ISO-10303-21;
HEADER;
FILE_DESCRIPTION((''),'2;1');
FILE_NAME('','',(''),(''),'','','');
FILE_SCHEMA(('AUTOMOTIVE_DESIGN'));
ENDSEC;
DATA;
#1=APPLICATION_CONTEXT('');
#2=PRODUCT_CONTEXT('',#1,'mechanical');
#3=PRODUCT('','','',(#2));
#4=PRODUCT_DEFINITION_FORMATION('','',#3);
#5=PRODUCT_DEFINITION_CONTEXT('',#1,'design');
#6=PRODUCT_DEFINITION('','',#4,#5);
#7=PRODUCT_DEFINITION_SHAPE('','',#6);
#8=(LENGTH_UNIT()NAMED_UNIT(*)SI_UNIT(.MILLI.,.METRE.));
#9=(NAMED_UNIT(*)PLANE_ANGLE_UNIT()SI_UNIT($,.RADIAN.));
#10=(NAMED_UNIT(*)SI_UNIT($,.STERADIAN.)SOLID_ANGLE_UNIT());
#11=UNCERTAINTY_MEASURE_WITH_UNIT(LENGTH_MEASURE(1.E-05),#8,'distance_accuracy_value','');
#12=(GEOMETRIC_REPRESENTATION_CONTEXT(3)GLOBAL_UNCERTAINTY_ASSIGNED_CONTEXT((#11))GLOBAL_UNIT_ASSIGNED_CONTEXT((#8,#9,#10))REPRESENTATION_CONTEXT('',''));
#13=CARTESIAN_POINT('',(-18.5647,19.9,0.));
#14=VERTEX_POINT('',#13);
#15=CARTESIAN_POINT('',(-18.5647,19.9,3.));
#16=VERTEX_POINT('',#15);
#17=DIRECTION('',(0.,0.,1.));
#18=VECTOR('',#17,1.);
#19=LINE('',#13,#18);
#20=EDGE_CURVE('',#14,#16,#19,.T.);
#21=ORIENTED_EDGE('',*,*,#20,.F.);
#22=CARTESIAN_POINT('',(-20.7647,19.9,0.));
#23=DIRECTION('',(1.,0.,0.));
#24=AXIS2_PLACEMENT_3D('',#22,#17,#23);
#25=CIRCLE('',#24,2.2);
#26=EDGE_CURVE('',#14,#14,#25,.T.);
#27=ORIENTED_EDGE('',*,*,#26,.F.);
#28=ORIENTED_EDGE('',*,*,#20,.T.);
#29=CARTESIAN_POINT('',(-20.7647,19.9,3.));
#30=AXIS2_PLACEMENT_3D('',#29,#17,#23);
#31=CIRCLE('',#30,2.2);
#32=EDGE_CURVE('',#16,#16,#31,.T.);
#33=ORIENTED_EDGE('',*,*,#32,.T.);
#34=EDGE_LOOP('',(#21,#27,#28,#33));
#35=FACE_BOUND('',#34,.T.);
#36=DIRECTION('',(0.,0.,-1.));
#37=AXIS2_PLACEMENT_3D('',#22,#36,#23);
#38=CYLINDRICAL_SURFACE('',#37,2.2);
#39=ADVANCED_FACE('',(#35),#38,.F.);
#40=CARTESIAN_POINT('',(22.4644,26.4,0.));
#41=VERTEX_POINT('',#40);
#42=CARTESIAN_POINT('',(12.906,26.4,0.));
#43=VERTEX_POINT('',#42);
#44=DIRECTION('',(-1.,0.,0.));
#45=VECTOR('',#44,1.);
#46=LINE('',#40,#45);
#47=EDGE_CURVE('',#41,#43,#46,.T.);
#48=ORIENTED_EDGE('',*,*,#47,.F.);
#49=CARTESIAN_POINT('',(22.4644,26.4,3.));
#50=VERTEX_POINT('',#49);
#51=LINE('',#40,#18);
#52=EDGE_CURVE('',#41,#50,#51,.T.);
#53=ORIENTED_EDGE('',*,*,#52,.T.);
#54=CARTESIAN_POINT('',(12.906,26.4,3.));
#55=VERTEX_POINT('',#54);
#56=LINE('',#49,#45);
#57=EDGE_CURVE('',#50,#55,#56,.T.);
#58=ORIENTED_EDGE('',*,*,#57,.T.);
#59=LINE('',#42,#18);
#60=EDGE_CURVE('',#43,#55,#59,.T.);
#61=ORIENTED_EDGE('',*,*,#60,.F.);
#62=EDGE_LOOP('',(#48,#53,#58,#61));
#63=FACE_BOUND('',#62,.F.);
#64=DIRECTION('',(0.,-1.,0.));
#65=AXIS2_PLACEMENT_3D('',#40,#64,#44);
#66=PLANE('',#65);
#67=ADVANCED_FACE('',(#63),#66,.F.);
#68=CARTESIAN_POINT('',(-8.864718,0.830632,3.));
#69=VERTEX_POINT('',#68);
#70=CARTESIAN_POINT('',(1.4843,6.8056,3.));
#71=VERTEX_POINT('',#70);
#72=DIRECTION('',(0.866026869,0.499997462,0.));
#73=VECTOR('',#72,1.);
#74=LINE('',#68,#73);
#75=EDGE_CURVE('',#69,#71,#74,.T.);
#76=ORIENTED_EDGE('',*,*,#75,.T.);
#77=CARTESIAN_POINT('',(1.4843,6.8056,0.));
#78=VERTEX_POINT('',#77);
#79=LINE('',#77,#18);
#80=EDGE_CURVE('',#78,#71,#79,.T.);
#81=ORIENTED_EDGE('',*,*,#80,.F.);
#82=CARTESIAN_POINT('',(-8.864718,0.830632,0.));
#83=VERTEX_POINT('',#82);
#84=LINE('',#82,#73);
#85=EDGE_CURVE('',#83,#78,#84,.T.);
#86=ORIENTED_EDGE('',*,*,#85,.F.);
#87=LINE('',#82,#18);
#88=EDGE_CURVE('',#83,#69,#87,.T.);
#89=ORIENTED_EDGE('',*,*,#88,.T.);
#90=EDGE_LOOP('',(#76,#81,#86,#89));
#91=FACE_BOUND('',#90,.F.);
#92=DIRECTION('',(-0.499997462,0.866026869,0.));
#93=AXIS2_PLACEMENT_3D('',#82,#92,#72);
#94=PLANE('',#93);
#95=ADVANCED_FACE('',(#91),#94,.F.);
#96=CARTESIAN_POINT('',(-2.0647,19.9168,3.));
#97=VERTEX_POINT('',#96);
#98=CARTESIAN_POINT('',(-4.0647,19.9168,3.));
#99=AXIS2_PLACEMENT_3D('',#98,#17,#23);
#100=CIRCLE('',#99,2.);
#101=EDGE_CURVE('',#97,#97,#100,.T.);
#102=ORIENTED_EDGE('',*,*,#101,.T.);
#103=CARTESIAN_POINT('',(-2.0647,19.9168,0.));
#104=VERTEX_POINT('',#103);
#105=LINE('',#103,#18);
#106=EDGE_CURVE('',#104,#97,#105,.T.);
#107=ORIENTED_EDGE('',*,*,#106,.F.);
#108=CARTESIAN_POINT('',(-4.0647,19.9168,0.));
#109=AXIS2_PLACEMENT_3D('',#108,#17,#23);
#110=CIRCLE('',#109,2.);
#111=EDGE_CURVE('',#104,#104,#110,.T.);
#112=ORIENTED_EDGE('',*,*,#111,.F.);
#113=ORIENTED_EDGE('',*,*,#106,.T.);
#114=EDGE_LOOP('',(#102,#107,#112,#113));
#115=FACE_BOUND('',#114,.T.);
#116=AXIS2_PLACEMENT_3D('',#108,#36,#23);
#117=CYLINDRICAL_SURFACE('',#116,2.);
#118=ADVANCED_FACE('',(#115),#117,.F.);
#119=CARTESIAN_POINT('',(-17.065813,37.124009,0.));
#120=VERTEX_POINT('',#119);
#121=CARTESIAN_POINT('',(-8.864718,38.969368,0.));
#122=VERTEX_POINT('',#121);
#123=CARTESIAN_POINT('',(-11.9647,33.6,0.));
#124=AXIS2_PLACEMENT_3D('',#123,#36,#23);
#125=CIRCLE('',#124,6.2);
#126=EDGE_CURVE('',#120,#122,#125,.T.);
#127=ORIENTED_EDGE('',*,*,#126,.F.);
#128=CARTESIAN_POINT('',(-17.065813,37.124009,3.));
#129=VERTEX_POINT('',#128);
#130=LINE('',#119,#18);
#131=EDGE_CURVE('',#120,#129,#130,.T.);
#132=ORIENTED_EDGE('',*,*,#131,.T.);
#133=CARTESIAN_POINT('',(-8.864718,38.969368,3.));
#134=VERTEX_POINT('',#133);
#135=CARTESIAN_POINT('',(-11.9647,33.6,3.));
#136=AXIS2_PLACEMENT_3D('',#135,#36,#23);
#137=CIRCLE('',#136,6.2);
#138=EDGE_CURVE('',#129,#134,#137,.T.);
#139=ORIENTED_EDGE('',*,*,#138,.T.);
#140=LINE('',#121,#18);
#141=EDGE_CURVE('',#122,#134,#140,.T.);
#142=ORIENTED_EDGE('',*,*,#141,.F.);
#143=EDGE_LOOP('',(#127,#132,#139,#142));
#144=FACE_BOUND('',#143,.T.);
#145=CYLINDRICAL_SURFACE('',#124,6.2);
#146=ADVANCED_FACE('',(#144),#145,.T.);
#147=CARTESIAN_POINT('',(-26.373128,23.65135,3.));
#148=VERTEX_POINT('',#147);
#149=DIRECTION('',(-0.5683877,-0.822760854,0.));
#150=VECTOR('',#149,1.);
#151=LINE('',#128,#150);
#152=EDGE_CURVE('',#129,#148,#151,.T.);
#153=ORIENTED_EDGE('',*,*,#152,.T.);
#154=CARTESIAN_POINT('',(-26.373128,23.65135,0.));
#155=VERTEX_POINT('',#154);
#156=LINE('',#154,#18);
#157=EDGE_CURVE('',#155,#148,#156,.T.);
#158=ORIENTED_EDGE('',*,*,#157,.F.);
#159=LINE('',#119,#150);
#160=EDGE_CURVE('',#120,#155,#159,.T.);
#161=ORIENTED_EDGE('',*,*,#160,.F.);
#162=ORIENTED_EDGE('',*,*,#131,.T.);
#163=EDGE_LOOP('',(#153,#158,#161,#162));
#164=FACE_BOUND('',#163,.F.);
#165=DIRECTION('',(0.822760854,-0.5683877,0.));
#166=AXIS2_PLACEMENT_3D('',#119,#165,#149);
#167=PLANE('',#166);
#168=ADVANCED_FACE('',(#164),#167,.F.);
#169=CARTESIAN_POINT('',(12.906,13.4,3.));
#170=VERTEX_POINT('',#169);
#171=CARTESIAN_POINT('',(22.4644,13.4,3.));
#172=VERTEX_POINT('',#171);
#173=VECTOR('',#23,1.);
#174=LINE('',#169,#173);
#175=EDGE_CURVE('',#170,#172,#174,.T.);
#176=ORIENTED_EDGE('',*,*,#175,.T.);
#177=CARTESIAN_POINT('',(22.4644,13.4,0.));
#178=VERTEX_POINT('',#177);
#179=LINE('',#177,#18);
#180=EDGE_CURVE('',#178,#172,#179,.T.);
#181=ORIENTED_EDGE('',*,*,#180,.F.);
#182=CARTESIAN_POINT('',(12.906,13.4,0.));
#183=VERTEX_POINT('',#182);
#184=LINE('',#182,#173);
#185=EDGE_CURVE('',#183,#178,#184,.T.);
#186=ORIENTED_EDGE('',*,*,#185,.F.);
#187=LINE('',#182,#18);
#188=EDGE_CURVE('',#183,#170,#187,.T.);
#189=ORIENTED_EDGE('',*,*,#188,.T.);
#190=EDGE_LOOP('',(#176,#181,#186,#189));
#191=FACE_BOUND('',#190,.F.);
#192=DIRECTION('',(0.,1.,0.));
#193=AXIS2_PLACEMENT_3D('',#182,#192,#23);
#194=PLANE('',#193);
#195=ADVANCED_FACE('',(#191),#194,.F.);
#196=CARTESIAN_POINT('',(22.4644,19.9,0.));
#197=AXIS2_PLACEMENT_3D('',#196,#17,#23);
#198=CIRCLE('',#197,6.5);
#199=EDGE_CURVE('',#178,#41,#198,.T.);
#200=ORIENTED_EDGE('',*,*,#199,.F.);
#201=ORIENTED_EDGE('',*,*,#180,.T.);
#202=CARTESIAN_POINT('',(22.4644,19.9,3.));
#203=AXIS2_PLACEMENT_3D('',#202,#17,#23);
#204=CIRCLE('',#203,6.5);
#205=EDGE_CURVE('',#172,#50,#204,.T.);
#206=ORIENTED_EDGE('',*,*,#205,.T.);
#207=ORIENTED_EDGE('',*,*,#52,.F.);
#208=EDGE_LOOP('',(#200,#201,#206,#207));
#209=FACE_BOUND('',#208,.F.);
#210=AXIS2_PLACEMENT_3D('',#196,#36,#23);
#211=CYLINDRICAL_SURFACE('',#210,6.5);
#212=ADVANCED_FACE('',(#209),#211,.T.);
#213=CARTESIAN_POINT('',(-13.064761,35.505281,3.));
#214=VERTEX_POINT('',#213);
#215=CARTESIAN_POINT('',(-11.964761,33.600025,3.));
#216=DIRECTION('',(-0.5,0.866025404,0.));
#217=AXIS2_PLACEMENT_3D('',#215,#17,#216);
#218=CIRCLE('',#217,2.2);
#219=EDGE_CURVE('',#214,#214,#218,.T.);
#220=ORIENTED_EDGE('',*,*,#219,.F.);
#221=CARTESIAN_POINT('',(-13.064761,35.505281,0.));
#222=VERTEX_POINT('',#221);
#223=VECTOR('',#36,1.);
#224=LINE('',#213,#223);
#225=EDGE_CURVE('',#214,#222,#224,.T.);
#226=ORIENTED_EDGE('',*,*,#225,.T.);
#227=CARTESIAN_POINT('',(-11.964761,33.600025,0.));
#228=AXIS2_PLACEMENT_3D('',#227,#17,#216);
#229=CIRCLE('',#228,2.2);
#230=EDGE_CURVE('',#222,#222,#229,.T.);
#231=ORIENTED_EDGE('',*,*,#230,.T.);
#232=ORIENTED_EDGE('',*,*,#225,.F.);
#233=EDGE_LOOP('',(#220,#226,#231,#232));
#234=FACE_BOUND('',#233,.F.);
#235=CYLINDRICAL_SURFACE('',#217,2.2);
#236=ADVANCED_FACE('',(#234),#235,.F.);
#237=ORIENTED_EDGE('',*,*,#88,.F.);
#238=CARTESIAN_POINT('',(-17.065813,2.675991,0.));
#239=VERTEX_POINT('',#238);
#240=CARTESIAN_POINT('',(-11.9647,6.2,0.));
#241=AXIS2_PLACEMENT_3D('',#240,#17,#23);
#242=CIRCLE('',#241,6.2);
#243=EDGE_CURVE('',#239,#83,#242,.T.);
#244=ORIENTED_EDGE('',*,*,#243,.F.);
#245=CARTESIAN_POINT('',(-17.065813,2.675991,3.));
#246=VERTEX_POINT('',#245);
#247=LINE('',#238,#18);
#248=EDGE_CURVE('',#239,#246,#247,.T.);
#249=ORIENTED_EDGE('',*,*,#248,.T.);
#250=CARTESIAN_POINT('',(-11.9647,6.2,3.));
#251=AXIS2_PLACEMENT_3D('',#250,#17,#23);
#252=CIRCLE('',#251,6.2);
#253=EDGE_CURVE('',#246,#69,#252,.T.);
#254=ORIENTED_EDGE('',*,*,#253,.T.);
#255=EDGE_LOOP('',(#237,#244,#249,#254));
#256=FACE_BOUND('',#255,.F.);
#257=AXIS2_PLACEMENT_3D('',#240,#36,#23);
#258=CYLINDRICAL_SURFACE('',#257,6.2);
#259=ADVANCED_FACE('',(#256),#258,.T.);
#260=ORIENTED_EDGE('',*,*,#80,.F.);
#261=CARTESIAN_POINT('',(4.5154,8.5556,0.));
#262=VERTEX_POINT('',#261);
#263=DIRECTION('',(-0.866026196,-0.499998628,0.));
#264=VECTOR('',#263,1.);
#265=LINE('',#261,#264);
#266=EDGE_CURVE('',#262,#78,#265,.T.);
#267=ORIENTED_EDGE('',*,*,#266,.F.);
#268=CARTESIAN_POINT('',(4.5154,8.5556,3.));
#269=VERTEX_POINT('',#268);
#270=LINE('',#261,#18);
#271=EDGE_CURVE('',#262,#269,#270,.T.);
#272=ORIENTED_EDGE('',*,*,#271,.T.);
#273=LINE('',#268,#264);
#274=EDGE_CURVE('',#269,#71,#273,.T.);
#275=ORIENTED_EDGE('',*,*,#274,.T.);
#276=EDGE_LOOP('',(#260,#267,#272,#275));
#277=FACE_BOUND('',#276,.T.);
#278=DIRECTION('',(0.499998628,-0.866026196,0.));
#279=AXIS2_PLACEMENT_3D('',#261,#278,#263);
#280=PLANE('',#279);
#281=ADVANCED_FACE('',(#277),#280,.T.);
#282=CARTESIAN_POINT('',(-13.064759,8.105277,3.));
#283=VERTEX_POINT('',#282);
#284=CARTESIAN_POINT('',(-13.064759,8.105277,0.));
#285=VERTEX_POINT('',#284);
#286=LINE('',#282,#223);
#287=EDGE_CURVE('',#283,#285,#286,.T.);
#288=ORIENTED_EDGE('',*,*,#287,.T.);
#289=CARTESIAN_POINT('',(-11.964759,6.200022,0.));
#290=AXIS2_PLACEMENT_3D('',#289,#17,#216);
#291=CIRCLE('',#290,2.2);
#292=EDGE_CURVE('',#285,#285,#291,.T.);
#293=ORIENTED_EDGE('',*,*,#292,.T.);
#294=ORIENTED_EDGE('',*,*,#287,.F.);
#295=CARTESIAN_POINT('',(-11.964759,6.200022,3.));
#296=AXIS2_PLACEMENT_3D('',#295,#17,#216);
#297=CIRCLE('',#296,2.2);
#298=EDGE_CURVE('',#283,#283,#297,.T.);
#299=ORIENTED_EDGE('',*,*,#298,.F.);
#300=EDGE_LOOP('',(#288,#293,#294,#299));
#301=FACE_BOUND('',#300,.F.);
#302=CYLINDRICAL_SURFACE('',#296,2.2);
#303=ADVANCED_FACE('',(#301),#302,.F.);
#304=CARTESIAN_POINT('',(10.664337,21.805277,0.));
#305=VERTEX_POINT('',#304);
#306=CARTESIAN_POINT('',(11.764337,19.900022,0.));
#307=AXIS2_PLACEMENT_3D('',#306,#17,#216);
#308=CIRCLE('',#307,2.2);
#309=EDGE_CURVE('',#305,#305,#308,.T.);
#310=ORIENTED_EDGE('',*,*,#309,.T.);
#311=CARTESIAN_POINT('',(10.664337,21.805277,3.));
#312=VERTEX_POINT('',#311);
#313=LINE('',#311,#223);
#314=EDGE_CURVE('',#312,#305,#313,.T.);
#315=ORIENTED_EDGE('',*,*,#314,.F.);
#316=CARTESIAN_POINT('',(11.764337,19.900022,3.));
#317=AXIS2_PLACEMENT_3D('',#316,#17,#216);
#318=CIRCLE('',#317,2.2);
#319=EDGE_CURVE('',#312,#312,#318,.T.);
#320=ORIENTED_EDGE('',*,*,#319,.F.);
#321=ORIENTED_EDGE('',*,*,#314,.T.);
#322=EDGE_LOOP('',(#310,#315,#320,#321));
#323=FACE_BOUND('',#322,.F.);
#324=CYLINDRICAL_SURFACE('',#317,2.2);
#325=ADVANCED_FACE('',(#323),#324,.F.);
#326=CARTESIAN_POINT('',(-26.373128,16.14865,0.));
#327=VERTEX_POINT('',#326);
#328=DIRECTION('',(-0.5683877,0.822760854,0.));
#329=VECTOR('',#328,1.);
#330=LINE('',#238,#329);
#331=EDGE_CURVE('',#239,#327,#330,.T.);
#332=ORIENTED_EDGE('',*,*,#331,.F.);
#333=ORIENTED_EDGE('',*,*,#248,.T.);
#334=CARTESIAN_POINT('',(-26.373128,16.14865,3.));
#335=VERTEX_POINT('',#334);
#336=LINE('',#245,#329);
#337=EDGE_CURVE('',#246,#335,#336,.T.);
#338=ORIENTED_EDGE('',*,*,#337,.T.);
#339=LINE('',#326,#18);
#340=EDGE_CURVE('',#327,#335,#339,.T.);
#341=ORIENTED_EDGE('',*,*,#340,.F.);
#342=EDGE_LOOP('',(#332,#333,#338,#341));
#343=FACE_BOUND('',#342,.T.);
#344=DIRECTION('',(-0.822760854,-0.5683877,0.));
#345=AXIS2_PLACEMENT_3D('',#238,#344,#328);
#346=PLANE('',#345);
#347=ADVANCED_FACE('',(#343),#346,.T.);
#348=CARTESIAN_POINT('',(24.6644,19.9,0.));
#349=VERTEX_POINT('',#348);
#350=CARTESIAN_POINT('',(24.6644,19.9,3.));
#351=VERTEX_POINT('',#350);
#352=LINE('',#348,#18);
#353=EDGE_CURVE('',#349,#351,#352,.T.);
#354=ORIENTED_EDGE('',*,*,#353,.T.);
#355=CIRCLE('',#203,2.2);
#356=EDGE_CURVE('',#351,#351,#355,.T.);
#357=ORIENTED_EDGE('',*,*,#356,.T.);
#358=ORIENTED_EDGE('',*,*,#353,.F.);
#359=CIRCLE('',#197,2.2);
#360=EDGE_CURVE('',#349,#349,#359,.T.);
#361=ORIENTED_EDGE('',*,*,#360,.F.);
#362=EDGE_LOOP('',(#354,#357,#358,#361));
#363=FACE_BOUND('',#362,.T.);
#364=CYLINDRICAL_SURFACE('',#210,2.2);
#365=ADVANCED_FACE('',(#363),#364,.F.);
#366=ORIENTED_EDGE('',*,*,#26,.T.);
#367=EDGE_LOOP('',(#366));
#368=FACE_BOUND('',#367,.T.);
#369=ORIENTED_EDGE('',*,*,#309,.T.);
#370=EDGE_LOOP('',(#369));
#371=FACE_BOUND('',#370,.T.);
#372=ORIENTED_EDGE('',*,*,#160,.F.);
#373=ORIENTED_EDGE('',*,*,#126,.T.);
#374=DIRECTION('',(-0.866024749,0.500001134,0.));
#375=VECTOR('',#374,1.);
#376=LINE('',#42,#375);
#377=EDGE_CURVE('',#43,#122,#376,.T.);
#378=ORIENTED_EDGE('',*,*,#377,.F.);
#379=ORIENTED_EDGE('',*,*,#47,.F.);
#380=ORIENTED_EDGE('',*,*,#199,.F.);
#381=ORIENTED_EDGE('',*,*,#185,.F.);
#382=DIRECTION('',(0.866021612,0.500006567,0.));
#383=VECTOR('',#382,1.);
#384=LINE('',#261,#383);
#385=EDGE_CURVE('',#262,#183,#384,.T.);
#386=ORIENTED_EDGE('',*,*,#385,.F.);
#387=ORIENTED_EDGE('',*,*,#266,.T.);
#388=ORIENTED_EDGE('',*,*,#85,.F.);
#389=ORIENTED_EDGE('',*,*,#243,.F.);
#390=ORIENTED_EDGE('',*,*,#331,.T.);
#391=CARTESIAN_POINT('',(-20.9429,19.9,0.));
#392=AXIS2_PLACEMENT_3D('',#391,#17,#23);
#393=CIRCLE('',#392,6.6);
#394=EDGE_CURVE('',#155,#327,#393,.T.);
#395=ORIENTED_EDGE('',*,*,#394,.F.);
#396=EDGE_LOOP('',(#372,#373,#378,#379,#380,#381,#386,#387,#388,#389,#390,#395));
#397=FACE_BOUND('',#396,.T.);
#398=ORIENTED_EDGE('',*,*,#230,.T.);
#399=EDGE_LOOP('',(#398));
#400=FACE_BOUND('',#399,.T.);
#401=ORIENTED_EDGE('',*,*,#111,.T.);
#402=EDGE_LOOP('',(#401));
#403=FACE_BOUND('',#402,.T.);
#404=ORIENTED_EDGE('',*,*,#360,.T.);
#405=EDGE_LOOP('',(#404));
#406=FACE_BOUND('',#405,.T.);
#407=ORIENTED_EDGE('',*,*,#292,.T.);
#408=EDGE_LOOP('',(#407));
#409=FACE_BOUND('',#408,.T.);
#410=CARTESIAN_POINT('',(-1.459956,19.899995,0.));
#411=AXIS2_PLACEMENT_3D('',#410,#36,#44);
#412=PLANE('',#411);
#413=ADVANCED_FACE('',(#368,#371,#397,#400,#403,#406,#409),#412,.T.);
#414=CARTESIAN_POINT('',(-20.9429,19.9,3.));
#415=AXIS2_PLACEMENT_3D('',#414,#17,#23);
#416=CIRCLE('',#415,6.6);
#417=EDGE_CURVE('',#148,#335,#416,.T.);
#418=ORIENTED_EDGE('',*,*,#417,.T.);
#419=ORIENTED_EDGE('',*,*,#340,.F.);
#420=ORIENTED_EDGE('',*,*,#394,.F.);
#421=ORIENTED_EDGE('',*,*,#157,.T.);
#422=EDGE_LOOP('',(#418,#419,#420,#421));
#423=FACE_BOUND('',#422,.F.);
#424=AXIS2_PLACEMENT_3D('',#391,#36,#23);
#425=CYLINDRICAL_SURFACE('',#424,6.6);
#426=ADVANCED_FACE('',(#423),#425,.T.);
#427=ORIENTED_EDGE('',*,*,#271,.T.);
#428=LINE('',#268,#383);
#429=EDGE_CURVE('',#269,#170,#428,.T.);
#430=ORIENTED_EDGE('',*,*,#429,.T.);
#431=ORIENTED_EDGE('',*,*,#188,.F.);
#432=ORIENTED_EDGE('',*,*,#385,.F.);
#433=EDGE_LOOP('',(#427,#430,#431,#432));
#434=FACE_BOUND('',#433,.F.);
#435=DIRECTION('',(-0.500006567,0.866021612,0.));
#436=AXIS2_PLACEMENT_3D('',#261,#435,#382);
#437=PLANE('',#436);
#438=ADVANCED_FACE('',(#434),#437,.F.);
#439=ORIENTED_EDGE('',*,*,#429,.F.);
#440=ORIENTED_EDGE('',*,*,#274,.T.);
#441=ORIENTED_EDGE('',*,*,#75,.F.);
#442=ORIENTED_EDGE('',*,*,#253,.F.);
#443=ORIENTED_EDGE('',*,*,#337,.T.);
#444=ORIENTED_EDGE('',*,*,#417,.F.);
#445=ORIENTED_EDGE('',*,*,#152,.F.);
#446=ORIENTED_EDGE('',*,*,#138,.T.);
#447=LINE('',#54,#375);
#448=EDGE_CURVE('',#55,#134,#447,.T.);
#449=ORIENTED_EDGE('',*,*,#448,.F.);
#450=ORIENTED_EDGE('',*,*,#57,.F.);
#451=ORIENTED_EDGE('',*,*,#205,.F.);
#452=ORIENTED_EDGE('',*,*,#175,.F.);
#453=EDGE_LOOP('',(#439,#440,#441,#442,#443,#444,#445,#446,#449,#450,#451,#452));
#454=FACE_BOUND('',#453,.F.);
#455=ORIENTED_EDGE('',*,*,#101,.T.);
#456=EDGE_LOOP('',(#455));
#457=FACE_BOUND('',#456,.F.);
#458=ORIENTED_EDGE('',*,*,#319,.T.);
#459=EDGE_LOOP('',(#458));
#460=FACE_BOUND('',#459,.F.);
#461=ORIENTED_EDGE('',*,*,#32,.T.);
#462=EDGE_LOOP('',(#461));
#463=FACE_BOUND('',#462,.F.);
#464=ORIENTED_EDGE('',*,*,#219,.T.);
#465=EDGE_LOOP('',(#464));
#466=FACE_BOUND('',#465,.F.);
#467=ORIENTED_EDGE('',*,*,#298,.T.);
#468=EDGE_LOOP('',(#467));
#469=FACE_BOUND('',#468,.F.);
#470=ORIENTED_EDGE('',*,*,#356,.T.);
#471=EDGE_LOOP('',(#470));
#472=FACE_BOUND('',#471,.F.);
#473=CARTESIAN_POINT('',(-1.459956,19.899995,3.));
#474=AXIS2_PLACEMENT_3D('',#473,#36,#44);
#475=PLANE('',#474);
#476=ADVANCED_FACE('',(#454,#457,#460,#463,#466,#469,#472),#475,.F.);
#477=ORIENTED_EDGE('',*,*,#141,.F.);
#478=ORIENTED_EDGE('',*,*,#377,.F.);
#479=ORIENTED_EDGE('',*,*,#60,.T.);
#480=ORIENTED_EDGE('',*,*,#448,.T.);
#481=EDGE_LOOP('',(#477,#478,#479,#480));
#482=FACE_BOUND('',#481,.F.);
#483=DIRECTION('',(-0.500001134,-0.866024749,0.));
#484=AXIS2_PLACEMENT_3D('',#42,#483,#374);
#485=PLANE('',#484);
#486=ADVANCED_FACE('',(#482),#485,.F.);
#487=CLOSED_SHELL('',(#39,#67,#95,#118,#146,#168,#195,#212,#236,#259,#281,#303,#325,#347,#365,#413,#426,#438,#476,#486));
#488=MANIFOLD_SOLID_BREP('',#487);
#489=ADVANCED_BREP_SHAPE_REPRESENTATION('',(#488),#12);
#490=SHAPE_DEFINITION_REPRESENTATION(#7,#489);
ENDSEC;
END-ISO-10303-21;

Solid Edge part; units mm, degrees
sketch "Sketch1" plane through (0, 0, 0) normal (0, 0, 1) x (1, 0, 0)
  line L0 (-17.0658, 2.676) -> (-26.3732, 16.1486)
  arc A0 (-26.3732, 23.6514) -> (-26.3732, 16.1486) centre (-20.9429, 19.9) ccw
  line L1 (-17.0658, 37.124) -> (-26.3732, 23.6514)
  arc A1 (-17.0658, 37.124) -> (-8.8647, 38.9694) centre (-11.9647, 33.6) cw
  line L2 (12.906, 26.4) -> (-8.8647, 38.9694)
  line L3 (22.4644, 26.4) -> (12.906, 26.4)
  arc A2 (22.4644, 13.4) -> (22.4644, 26.4) centre (22.4644, 19.9) ccw
  line L4 (12.906, 13.4) -> (22.4644, 13.4)
  line L5 (4.5154, 8.5556) -> (12.906, 13.4)
  line L6 (4.5154, 8.5556) -> (1.4843, 6.8056)
  line L7 (-8.8647, 0.8306) -> (1.4843, 6.8056)
  arc A3 (-17.0658, 2.676) -> (-8.8647, 0.8306) centre (-11.9647, 6.2) ccw
  circle A4 centre (-20.7647, 19.9) radius 2.2
  circle A5 centre (22.4644, 19.9) radius 2.2
  circle A6 centre (-4.0647, 19.9168) radius 2
extrude "Protrusion1" add sketch "Sketch1" along normal blind 3
sketch "Sketch2" plane through (-1.5893, 19.9, 3) normal (0, 0, 1) x (-0.5, 0.866, 0)
  circle A0 centre (-6.6768, 15.8354) radius 2.2
  circle A1 centre (17.0523, 2.1354) radius 2.2
  circle A2 centre (-6.6768, -11.5646) radius 2.2
extrude "ExtrudedCutout_1" cut sketch "Sketch2" against normal blind 80.9131
